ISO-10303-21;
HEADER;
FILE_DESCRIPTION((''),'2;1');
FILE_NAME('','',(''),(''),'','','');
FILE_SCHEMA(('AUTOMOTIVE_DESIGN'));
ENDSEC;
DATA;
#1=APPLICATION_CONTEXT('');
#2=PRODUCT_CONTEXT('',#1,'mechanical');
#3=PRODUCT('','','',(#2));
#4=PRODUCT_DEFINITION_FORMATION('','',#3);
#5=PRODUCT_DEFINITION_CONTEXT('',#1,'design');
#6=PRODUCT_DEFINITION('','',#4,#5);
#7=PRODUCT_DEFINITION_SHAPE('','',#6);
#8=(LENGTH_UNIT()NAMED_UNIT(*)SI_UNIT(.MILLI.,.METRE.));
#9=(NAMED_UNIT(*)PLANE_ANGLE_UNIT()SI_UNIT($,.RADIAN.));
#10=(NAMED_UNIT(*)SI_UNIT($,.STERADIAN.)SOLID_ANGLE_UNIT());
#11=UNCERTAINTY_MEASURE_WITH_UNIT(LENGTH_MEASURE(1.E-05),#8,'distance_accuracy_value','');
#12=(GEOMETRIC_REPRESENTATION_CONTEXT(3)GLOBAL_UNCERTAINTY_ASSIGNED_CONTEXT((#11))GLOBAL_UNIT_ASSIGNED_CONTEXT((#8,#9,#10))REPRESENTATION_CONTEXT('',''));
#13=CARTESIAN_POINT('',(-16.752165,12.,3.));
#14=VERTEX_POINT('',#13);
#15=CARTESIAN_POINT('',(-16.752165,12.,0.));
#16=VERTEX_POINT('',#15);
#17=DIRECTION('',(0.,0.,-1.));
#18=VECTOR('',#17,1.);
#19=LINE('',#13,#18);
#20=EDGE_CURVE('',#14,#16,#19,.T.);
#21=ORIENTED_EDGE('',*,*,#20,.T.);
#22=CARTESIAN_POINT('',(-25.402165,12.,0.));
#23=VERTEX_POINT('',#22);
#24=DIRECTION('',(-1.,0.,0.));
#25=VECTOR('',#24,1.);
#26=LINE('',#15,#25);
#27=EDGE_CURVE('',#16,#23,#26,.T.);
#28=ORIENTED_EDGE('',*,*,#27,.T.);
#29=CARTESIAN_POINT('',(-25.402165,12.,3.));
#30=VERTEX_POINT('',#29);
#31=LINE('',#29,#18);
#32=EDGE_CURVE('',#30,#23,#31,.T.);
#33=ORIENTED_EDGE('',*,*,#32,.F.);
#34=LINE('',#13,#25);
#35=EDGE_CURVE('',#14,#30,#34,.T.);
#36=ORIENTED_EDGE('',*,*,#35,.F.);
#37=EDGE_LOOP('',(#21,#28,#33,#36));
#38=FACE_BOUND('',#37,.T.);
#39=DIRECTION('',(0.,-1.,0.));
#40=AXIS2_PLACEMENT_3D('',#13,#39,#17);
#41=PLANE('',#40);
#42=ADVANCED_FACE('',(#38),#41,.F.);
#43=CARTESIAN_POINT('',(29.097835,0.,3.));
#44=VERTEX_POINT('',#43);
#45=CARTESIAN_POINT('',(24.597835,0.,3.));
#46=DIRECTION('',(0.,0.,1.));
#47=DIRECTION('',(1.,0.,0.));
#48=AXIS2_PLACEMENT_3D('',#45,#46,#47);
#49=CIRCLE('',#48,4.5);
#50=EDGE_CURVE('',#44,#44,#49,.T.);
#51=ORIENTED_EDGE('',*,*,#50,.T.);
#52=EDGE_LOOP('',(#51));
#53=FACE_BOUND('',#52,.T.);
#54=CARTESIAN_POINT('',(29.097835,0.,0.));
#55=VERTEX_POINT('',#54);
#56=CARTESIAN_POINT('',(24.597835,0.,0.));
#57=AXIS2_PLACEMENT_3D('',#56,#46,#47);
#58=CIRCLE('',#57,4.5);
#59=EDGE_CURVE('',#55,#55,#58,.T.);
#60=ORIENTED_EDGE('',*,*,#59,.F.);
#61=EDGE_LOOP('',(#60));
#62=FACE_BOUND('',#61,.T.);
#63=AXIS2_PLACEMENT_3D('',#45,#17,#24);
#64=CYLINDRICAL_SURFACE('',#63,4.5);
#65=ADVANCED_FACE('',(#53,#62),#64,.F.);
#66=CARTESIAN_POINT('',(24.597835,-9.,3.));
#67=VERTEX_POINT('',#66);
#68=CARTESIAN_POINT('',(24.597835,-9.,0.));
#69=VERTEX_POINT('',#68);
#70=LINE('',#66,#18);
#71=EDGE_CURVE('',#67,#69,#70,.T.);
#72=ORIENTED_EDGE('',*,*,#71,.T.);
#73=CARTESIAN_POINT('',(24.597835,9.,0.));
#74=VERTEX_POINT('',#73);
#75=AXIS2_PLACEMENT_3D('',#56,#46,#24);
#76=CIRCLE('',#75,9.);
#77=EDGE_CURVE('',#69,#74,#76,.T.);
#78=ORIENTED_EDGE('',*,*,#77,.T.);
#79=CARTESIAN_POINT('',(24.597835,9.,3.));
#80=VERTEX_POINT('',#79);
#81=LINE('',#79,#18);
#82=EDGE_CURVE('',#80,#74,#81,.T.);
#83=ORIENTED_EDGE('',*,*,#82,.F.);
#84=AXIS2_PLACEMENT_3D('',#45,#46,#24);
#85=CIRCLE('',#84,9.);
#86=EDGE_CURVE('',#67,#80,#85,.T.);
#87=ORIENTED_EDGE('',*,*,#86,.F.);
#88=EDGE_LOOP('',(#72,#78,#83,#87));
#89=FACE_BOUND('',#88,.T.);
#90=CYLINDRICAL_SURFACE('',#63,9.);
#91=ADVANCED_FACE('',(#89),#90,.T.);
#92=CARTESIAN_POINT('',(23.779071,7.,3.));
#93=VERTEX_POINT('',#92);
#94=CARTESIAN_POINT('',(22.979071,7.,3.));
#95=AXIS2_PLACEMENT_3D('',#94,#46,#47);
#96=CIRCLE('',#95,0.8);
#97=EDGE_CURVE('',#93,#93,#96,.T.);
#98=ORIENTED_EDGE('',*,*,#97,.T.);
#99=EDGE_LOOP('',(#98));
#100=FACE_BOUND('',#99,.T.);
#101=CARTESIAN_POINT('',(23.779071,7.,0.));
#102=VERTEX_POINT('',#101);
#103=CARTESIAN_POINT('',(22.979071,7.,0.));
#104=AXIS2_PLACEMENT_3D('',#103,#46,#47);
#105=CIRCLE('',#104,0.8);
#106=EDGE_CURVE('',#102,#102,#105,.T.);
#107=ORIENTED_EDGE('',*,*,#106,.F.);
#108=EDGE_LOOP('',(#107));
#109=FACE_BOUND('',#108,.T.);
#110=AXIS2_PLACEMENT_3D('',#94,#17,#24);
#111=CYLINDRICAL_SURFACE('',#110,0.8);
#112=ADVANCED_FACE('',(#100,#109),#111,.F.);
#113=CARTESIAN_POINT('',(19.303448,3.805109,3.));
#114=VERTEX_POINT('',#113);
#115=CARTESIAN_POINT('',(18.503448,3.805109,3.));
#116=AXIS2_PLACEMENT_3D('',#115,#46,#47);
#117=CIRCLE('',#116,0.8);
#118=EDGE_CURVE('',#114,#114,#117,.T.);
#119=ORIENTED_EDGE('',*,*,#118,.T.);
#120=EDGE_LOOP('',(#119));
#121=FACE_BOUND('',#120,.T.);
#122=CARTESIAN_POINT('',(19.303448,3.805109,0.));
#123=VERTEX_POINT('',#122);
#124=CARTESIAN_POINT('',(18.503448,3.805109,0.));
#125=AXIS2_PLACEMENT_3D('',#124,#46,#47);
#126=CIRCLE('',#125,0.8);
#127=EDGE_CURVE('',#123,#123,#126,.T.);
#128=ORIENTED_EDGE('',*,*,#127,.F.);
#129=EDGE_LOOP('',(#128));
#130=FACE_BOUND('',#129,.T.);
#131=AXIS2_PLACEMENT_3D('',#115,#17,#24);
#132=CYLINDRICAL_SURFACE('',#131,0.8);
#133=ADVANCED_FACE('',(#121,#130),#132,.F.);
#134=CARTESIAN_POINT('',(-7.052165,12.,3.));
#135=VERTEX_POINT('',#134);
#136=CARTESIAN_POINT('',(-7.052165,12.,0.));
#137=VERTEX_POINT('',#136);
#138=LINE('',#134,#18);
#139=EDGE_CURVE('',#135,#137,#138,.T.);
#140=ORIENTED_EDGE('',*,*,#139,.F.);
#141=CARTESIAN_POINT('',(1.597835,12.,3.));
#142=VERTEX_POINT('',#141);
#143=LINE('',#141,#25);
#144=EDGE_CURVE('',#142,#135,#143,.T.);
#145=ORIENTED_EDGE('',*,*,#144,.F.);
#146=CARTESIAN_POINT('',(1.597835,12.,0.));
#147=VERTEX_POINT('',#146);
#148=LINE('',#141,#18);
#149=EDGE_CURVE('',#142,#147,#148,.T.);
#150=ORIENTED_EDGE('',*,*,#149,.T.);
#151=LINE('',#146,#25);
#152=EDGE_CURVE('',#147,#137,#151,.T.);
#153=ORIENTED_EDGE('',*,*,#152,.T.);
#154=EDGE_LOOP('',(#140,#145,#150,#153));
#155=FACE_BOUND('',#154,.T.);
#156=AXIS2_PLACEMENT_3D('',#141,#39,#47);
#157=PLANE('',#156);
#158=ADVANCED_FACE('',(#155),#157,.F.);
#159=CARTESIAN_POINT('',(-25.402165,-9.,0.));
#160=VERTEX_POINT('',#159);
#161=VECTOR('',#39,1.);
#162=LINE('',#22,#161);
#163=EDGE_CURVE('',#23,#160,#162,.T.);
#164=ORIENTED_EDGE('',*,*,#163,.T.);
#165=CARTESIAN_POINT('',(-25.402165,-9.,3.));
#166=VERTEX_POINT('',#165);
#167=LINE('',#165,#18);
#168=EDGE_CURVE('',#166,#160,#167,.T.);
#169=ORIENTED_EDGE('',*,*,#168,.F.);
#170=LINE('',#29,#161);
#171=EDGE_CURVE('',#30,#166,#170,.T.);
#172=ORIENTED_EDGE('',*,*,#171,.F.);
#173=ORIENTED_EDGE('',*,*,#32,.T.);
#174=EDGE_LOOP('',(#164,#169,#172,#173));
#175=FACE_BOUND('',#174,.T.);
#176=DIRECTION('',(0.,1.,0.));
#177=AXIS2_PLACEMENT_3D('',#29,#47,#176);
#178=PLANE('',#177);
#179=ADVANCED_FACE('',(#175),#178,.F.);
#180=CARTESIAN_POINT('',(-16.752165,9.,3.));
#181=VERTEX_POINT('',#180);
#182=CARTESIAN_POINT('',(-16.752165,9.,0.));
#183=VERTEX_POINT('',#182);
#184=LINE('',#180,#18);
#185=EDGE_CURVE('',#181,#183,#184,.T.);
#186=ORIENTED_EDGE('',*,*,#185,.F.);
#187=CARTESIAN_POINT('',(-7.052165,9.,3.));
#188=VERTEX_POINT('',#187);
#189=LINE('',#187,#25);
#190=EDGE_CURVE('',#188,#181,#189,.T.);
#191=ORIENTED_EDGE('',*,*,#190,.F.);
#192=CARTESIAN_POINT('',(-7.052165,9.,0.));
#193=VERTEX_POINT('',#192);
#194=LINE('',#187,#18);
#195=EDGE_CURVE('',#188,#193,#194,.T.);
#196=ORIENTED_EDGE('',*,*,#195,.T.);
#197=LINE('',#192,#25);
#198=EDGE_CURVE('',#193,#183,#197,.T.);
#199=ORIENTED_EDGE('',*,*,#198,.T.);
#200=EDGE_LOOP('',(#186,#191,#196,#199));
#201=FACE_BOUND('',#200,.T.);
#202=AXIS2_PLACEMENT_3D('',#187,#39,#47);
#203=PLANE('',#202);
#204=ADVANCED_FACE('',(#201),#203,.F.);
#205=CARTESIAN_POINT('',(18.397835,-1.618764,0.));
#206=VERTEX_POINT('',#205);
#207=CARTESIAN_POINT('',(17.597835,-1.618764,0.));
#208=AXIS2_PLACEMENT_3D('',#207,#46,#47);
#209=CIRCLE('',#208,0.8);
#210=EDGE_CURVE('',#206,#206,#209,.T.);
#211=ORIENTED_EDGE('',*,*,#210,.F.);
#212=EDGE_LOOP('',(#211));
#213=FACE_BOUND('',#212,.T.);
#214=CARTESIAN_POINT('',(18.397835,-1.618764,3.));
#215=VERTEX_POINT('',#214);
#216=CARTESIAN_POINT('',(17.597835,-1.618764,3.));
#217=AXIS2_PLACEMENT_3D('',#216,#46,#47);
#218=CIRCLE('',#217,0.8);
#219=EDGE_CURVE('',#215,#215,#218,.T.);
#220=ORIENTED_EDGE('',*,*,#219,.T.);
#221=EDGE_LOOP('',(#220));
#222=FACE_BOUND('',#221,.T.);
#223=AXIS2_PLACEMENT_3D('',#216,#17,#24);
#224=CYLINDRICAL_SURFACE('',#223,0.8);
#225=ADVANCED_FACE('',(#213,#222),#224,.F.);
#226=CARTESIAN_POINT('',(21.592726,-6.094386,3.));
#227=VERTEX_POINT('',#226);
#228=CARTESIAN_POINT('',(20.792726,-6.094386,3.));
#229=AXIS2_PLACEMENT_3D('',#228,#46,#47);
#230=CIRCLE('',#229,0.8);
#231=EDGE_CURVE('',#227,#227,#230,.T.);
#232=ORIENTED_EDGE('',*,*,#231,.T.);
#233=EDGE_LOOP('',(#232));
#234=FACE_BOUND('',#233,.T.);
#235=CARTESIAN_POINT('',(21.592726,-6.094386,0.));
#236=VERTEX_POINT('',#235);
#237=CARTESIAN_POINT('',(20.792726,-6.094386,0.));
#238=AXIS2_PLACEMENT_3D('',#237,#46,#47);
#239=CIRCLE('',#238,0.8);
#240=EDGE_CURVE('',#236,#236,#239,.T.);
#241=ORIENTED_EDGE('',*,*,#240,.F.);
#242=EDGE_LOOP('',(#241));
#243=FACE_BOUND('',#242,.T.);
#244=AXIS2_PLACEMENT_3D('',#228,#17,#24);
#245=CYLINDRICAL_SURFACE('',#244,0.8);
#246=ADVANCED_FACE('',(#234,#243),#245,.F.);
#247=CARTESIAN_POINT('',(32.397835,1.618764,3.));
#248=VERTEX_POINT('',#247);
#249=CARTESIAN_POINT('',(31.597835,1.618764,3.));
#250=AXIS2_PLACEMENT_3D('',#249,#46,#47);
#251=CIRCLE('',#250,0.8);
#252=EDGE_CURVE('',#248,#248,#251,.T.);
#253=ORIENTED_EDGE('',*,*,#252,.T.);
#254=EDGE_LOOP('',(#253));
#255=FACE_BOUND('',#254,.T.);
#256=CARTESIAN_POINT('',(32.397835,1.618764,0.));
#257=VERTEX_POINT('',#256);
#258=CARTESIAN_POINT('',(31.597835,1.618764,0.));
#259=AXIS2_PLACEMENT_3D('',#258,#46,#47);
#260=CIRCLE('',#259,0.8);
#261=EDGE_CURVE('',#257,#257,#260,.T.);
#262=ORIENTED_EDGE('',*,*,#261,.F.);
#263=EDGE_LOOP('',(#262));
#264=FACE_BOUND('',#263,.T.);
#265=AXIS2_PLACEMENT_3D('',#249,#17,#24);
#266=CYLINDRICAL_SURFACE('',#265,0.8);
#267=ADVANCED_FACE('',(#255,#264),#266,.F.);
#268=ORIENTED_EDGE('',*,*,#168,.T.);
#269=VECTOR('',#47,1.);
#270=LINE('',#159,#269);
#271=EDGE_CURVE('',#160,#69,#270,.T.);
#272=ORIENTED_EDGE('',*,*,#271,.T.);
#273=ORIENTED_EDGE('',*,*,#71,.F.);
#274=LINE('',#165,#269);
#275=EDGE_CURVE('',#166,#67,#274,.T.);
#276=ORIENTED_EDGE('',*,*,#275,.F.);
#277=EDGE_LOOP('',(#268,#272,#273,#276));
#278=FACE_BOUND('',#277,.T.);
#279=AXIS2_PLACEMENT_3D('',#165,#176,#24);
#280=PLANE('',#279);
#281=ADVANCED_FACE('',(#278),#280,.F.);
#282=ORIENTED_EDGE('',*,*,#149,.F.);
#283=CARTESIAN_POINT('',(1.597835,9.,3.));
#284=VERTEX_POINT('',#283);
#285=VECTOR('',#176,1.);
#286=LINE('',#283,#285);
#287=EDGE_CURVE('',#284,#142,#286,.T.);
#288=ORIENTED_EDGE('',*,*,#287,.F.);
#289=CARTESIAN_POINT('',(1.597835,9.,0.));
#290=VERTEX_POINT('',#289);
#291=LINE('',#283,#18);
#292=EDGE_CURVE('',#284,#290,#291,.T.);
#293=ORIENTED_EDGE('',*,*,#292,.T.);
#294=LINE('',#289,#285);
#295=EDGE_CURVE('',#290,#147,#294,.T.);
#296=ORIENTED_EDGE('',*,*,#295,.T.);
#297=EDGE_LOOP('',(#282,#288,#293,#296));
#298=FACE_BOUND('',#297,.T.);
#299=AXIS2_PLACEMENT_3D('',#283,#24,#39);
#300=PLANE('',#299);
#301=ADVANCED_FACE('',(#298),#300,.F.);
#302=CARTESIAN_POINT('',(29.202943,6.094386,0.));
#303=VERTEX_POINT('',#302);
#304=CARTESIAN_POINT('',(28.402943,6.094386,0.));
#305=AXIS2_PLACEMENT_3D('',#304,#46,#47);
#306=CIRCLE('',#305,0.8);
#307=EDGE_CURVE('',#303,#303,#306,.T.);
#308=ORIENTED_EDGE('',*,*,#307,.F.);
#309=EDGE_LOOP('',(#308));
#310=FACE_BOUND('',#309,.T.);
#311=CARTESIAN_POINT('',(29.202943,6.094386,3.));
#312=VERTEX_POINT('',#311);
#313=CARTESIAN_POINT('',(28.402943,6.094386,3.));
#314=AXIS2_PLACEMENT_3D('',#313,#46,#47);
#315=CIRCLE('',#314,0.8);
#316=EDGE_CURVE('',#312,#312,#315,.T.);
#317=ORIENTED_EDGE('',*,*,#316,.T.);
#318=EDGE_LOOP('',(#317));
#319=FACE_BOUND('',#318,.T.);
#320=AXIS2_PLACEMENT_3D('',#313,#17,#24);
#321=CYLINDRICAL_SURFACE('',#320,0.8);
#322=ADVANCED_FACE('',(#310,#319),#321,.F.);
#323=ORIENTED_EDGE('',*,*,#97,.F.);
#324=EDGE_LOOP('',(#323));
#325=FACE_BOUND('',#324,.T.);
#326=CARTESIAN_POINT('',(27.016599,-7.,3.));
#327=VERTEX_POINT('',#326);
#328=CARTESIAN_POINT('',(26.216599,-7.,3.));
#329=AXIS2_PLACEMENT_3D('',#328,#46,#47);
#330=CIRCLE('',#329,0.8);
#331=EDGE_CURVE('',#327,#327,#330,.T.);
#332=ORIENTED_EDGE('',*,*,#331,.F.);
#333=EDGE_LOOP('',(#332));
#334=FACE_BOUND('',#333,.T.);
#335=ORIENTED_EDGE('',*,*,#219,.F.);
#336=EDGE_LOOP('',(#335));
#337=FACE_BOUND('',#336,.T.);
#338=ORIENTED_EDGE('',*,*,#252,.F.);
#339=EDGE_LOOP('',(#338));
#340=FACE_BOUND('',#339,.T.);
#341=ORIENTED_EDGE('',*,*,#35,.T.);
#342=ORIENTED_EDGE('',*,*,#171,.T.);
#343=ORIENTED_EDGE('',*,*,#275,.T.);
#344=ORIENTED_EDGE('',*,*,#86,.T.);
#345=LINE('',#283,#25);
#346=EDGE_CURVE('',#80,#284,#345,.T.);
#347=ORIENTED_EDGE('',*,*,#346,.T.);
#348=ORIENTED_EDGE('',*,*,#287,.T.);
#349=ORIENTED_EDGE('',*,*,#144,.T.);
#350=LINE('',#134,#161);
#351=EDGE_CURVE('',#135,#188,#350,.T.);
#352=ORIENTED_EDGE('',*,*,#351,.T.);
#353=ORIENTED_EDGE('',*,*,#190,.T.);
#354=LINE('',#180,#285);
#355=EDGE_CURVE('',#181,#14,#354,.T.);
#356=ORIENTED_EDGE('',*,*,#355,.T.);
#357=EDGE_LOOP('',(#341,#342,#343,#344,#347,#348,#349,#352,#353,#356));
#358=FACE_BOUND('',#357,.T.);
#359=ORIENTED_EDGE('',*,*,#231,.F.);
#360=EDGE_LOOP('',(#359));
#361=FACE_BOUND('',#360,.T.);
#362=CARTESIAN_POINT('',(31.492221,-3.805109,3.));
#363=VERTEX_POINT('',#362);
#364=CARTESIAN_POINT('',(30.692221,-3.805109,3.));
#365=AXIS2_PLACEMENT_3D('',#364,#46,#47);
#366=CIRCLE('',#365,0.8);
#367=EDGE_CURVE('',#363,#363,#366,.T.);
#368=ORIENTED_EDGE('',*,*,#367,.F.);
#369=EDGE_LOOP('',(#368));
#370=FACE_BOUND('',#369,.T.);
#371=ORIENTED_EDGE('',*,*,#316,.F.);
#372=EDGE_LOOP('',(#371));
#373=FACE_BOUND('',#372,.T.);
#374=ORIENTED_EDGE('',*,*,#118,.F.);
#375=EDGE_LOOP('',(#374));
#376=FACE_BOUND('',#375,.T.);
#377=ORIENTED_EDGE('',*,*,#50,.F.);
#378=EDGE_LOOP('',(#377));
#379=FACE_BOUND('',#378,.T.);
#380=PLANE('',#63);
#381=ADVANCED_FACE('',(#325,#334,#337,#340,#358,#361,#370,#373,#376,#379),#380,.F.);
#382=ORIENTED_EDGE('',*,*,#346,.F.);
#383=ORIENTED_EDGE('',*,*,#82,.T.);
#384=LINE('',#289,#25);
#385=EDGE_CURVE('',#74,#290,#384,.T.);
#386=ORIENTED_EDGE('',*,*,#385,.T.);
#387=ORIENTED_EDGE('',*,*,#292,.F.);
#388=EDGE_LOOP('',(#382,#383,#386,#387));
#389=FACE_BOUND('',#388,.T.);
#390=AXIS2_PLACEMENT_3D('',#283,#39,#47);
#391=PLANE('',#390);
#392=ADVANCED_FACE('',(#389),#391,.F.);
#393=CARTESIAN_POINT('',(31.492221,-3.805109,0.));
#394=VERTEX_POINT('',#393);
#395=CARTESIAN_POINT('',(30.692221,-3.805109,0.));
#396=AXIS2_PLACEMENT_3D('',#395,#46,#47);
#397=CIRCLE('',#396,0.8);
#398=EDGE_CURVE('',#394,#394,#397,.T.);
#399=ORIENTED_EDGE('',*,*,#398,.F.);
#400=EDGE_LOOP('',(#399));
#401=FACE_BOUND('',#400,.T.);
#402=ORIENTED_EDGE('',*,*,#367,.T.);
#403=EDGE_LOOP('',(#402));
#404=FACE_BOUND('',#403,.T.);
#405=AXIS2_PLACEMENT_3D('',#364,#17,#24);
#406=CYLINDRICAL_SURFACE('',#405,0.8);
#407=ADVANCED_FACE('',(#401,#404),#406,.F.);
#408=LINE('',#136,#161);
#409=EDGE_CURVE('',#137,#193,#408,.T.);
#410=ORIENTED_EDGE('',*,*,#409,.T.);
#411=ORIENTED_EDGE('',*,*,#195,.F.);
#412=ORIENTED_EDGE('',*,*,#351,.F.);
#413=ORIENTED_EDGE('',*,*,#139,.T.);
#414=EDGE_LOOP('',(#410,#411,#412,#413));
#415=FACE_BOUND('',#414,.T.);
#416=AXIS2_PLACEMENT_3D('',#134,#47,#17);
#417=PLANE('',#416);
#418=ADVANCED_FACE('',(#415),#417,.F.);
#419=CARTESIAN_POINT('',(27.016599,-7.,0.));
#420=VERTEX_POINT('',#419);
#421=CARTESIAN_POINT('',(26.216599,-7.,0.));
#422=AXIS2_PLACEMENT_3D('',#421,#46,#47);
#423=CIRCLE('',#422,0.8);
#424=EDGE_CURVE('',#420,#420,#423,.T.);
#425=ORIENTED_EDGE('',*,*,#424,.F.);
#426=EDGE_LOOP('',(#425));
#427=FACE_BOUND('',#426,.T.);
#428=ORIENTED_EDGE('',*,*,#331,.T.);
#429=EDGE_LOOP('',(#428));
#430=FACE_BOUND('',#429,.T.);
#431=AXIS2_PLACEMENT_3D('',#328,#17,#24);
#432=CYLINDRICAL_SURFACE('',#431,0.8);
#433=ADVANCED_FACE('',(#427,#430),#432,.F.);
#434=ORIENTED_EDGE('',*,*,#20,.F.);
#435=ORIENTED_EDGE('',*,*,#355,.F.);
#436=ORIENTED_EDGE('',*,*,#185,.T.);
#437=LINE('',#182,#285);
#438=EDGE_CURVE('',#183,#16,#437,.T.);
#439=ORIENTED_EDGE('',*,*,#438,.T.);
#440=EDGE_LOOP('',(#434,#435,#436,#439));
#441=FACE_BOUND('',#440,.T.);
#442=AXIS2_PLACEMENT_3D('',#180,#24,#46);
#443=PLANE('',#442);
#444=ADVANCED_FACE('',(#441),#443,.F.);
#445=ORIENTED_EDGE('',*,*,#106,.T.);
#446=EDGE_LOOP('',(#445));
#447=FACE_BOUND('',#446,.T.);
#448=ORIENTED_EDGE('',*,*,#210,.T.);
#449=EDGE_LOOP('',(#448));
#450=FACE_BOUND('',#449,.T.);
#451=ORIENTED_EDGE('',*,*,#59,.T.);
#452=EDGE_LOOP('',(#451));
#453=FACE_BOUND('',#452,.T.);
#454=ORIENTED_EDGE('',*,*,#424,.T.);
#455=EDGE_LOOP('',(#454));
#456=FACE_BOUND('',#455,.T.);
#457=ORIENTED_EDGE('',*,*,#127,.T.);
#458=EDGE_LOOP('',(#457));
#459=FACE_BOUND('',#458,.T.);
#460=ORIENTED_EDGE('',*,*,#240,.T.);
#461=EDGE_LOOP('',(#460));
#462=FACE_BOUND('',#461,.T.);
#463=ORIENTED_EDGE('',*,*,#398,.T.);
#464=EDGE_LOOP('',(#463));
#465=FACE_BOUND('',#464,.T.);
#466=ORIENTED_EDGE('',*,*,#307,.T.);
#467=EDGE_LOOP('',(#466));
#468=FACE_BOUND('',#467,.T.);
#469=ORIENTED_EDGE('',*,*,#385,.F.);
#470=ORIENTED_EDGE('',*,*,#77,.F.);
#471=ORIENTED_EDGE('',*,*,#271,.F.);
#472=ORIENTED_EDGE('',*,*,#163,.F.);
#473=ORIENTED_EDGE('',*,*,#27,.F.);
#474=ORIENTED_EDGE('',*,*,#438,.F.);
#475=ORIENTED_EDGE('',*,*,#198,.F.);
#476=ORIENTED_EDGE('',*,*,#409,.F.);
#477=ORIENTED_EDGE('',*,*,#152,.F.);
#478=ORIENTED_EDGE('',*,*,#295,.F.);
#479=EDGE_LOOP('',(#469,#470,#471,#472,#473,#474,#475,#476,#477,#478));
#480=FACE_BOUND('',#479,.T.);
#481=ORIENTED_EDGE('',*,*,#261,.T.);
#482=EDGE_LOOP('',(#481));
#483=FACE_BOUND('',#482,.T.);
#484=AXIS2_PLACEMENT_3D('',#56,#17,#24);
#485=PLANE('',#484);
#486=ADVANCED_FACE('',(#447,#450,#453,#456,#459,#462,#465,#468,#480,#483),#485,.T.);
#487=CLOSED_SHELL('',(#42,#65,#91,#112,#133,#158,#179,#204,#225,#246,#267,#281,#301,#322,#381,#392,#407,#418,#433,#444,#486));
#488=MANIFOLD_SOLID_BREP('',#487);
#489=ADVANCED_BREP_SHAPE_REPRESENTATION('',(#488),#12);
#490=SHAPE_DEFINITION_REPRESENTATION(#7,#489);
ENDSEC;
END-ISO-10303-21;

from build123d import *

# Parameters (mm, degrees)
ESQUISSE1_R        = 4.5
ESQUISSE1_R_2      = 0.8
BOSS_EXTRU_1_DEPTH = 3


with BuildPart() as part:
    # Esquisse1 → Boss.-Extru.1 (new body)
    with BuildSketch(Plane.XY):
        with BuildLine():
            Line((1.597834667, 9), (24.597834667, 9))
            ThreePointArc((24.597834667, 9), (33.597834667, 0), (24.597834667, -9))
            Line((24.597834667, -9), (-25.402165333, -9))
            Line((-25.402165333, -9), (-25.402165333, 12))
            Line((-25.402165333, 12), (-16.752165333, 12))
            Line((-16.752165333, 12), (-16.752165333, 9))
            Line((-16.752165333, 9), (-7.052165333, 9))
            Line((-7.052165333, 9), (-7.052165333, 12))
            Line((-7.052165333, 12), (1.597834667, 12))
            Line((1.597834667, 12), (1.597834667, 9))
        make_face()
        with Locations((24.597834667, 0)):
            Circle(ESQUISSE1_R, mode=Mode.SUBTRACT)
        with Locations((22.97907079, 7)):
            Circle(ESQUISSE1_R_2, mode=Mode.SUBTRACT)
        with Locations((28.402943221, 6.094386383)):
            Circle(ESQUISSE1_R_2, mode=Mode.SUBTRACT)
        with Locations((31.597834667, 1.618763877)):
            Circle(ESQUISSE1_R_2, mode=Mode.SUBTRACT)
        with Locations((30.69222105, -3.805108554)):
            Circle(ESQUISSE1_R_2, mode=Mode.SUBTRACT)
        with Locations((26.216598544, -7)):
            Circle(ESQUISSE1_R_2, mode=Mode.SUBTRACT)
        with Locations((20.792726113, -6.094386383)):
            Circle(ESQUISSE1_R_2, mode=Mode.SUBTRACT)
        with Locations((17.597834667, -1.618763877)):
            Circle(ESQUISSE1_R_2, mode=Mode.SUBTRACT)
        with Locations((18.503448284, 3.805108554)):
            Circle(ESQUISSE1_R_2, mode=Mode.SUBTRACT)
    extrude(amount=BOSS_EXTRU_1_DEPTH)


solid = part.part
